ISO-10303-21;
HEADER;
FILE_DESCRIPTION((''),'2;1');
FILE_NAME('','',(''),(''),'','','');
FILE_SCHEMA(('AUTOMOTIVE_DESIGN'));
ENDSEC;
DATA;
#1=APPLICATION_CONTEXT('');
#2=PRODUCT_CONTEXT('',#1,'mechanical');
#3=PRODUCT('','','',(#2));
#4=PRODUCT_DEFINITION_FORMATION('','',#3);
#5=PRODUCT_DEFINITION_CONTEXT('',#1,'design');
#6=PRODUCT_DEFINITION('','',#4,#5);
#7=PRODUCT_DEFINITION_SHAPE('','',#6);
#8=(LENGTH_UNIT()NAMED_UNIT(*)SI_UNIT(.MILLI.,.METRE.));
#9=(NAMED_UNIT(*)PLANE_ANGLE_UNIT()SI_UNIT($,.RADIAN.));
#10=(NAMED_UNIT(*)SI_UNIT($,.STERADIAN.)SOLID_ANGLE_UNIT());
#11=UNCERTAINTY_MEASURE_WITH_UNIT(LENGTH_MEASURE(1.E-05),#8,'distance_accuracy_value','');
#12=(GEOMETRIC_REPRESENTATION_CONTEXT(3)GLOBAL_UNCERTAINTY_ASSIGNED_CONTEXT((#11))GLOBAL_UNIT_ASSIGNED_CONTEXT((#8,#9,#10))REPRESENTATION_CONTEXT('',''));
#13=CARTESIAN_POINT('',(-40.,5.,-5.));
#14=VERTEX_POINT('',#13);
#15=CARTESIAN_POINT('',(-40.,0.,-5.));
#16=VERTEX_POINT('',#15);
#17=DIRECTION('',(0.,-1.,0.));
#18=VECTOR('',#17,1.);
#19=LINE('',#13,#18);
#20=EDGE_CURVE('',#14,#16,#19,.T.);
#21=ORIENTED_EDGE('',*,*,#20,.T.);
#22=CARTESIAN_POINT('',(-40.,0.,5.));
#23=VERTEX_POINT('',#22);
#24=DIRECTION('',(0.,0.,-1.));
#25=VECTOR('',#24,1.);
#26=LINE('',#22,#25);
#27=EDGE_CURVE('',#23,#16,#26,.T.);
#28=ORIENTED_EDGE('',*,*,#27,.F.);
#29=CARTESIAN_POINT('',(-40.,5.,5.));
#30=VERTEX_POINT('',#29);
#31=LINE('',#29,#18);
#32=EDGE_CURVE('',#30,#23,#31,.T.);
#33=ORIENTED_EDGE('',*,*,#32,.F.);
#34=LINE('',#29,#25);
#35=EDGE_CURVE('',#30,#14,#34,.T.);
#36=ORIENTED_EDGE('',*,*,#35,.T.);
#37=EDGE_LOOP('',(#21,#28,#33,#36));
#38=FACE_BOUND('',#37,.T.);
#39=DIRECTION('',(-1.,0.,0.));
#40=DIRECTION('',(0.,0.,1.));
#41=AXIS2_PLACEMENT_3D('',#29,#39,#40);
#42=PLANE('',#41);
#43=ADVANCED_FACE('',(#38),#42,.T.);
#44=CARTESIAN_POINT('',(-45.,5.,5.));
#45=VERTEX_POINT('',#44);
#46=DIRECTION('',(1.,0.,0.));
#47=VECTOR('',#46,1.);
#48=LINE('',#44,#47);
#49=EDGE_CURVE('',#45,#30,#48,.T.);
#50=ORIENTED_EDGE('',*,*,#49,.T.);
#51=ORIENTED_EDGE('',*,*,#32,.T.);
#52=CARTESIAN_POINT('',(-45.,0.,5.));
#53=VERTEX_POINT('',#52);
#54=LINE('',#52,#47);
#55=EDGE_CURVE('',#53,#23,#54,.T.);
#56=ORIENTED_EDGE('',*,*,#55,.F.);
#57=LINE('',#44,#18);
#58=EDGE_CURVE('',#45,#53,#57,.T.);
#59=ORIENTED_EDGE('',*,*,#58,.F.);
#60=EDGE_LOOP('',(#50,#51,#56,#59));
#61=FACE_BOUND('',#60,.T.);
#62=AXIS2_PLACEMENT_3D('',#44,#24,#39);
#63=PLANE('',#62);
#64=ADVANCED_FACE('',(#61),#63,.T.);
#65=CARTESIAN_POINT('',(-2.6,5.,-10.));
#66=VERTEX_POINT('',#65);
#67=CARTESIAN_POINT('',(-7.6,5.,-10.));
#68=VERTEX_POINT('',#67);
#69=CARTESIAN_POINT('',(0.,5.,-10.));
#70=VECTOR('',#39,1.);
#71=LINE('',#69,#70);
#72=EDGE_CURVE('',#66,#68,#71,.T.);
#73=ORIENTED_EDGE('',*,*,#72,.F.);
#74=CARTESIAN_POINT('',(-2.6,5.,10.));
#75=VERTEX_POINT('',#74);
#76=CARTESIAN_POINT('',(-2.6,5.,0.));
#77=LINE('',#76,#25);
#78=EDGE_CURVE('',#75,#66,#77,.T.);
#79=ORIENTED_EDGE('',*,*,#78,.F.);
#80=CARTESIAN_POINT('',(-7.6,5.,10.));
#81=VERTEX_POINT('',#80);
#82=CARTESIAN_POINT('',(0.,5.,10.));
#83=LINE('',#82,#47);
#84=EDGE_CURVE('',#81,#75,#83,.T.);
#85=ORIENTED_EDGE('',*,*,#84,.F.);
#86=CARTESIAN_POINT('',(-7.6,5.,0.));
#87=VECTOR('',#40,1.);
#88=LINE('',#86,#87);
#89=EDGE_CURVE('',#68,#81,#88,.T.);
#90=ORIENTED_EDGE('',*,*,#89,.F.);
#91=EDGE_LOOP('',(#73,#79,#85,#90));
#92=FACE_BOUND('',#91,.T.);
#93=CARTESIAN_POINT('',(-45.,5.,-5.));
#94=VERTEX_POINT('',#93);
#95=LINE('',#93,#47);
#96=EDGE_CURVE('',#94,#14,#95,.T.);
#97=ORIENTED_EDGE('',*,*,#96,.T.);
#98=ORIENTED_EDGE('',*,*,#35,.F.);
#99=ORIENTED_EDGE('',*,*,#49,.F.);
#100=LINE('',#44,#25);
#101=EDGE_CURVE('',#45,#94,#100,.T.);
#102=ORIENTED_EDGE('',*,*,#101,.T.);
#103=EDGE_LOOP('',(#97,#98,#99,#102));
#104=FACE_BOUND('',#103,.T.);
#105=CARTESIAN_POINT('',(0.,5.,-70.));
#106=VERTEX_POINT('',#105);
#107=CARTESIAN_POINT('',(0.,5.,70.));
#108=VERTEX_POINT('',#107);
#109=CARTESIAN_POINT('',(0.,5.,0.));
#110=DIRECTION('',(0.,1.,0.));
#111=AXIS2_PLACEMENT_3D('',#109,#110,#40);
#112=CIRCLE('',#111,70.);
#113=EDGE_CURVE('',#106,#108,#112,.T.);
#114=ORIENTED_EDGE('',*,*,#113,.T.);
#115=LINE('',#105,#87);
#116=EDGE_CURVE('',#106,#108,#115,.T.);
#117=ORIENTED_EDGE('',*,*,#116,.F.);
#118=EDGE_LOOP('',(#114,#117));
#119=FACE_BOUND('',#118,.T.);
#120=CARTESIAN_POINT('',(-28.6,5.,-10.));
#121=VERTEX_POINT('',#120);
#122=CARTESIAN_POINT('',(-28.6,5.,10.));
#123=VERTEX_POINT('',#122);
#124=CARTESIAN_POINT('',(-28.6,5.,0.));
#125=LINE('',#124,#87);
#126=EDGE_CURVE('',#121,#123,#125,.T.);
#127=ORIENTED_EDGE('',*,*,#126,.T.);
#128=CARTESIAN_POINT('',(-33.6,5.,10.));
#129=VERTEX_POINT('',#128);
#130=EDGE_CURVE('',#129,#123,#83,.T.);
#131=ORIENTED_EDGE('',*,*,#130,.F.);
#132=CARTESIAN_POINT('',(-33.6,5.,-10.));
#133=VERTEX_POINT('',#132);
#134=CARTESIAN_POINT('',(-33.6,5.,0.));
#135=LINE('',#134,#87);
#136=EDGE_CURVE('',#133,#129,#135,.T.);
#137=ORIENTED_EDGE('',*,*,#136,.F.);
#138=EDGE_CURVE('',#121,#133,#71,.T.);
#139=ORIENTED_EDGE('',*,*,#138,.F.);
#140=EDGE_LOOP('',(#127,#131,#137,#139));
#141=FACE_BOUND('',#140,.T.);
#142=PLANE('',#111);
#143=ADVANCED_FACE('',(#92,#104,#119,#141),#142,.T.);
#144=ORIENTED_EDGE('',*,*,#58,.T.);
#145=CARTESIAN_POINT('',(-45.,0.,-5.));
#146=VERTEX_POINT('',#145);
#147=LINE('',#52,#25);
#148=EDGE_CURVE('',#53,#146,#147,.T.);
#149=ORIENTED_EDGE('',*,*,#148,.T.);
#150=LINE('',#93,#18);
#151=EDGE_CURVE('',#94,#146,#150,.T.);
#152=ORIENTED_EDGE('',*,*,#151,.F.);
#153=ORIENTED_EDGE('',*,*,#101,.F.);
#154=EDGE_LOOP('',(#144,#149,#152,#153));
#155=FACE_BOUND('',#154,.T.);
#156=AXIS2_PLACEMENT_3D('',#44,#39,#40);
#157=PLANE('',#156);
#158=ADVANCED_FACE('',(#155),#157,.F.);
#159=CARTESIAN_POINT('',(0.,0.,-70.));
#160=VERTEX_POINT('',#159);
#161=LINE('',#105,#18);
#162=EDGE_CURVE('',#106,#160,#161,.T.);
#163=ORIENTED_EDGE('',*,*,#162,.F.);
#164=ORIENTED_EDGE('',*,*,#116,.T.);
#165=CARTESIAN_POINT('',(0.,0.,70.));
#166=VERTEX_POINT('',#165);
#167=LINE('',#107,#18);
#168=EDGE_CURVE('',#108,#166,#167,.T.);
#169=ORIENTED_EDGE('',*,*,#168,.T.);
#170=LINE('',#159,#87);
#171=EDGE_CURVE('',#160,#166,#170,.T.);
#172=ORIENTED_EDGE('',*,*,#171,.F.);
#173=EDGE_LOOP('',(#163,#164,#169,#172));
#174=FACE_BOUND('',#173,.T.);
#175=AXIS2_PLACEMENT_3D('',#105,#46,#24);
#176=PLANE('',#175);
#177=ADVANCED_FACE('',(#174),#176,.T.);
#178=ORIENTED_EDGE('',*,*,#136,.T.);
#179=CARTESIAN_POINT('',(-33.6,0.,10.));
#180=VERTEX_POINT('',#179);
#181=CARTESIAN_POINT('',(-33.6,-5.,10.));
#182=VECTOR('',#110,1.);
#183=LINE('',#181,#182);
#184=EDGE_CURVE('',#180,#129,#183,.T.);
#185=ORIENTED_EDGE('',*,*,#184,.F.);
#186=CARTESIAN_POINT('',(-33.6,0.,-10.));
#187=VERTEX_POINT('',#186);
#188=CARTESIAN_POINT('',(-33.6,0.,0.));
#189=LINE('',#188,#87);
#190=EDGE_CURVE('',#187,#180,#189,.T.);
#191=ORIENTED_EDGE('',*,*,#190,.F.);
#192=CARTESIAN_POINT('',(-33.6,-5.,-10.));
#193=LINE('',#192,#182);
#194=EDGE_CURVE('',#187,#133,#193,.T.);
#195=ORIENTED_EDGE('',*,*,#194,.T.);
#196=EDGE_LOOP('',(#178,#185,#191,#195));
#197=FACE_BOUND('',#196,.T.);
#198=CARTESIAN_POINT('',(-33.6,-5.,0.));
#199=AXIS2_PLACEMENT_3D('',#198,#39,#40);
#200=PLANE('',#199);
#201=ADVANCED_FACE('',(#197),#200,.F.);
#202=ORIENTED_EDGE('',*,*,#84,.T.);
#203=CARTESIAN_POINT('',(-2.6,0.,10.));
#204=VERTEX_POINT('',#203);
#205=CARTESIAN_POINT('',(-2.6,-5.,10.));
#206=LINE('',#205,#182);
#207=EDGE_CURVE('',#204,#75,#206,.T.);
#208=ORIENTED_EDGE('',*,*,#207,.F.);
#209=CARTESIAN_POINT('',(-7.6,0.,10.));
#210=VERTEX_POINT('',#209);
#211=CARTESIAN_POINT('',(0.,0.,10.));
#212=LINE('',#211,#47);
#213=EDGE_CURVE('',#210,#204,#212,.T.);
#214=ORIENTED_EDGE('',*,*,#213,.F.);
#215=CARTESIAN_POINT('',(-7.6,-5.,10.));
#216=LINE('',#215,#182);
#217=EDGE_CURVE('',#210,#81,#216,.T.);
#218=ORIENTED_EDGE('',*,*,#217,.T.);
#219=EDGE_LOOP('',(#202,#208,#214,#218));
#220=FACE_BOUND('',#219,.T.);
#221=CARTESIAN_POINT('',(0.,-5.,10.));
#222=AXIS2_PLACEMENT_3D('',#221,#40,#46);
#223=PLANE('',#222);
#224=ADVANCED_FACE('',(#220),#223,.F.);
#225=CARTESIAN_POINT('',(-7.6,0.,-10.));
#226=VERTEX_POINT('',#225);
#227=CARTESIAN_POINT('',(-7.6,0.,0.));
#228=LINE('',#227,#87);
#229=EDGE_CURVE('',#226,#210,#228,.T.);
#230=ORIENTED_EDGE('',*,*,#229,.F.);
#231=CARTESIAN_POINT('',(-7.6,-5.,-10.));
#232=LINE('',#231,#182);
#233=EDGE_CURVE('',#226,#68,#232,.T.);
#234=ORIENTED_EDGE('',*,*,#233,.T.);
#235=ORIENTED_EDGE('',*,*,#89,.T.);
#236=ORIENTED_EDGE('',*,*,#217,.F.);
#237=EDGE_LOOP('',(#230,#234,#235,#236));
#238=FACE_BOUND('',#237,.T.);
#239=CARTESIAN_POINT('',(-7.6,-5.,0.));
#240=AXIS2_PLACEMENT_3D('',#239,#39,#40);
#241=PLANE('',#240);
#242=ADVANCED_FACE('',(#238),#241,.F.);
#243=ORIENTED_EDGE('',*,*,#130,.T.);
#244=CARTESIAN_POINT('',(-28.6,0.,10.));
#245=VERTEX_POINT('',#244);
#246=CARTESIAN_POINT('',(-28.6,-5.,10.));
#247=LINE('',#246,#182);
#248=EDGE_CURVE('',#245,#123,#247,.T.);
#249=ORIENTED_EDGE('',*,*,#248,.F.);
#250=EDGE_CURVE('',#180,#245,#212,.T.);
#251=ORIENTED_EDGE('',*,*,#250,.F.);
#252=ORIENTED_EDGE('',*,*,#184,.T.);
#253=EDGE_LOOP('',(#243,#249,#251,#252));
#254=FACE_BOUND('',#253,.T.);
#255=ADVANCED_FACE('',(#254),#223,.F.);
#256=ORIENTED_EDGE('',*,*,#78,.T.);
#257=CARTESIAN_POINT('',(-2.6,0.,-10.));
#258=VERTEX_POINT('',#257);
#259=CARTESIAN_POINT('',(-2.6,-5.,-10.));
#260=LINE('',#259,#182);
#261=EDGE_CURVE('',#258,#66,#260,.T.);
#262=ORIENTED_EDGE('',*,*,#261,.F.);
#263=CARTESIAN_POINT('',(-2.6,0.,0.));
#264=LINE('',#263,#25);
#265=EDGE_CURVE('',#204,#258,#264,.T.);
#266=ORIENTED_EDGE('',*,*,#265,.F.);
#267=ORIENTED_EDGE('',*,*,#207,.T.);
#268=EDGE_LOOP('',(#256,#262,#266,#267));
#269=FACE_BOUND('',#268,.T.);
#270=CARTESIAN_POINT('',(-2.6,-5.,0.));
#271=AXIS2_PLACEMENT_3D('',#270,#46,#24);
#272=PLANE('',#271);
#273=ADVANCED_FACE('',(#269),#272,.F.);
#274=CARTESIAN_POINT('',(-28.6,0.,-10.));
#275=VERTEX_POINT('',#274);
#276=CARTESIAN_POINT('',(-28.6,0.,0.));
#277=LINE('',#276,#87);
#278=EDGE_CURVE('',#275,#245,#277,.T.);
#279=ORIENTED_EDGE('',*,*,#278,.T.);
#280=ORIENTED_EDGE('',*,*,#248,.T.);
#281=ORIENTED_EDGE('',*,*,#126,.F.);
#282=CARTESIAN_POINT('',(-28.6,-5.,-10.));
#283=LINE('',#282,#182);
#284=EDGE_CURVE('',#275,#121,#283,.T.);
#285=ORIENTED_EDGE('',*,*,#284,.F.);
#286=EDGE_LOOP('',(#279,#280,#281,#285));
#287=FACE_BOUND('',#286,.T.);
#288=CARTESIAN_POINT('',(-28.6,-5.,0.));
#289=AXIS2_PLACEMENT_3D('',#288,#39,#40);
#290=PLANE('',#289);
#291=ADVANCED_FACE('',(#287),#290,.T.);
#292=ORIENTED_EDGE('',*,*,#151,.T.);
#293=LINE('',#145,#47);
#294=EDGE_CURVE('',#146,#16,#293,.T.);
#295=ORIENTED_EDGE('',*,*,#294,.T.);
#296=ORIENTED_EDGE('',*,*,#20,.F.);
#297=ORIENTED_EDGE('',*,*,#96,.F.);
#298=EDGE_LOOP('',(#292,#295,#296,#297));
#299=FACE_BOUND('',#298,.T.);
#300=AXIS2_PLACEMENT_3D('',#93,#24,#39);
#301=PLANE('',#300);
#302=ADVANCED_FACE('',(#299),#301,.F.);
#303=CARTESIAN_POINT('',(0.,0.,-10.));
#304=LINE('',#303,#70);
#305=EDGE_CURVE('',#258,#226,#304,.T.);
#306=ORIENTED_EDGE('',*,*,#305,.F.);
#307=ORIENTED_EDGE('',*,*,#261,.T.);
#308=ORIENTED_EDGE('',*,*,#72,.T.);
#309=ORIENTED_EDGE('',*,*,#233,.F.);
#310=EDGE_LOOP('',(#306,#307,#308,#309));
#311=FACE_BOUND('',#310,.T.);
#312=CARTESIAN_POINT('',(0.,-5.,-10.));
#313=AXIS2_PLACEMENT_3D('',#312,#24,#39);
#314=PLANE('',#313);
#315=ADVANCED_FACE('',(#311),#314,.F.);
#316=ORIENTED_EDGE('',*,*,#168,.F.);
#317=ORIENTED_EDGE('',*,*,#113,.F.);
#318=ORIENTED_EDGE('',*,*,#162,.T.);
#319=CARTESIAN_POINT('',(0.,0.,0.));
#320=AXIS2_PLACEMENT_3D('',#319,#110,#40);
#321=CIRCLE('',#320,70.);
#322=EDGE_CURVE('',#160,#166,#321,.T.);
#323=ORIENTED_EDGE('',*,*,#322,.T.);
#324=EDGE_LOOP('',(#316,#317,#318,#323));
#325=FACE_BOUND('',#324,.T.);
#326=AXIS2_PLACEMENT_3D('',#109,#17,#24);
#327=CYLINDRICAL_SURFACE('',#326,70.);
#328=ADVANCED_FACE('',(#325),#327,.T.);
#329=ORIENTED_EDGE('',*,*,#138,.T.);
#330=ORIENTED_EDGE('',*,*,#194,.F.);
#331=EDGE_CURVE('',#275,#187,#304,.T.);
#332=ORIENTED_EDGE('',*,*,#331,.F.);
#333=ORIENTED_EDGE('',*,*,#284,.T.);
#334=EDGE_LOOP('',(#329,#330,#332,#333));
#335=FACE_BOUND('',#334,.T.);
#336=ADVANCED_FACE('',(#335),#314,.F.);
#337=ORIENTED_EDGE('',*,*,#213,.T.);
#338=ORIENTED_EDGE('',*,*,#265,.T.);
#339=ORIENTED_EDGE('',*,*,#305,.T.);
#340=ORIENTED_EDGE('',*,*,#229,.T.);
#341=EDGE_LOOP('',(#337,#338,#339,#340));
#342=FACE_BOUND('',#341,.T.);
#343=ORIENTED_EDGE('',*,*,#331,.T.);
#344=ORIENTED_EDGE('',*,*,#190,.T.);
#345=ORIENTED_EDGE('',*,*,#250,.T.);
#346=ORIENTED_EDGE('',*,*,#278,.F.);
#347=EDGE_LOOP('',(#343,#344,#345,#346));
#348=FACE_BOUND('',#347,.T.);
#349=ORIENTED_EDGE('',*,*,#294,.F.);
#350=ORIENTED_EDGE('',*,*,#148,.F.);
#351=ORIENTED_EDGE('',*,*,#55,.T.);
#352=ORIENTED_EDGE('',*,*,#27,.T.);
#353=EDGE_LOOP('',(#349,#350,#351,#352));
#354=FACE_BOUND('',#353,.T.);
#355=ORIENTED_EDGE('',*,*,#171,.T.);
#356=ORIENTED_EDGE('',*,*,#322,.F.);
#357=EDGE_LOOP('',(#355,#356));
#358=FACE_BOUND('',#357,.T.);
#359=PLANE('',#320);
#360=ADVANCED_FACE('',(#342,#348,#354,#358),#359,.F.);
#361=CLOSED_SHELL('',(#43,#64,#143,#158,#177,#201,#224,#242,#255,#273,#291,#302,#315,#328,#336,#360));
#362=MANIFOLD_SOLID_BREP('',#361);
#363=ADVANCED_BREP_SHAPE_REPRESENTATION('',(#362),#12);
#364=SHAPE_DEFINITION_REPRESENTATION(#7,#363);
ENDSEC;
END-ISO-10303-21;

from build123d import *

# Parameters (mm, degrees)
SKETCH1_W           = 5
SKETCH1_H           = 10
BOSS_EXTRUDE1_DEPTH = 5
CUT_EXTRUDE1_DEPTH  = 10
CUT_EXTRUDE2_DEPTH  = 10


with BuildPart() as part:
    # Sketch1 → Boss-Extrude1 (new body)
    with BuildSketch(Plane(origin=(0, 0, 0), x_dir=(1, 0, 0), z_dir=(0, 1, 0))):
        with BuildLine():
            Line((0, 70), (0, -70))
            ThreePointArc((0, -70), (-70, 0), (0, 70))
        make_face()
        with Locations((-42.5, 0)):
            Rectangle(SKETCH1_W, SKETCH1_H, mode=Mode.SUBTRACT)
    extrude(amount=BOSS_EXTRUDE1_DEPTH)

    # Sketch2 → Cut-Extrude1 (cut)
    with BuildSketch(Plane(origin=(0, 5, 0), x_dir=(1, 0, 0), z_dir=(0, 1, 0))):
        Polygon((-7.6, -10), (-2.6, -10), (-2.6, 0), (-2.6, 10), (-7.6, 10), align=None)
    extrude(amount=-CUT_EXTRUDE1_DEPTH, mode=Mode.SUBTRACT)

    # Sketch3 → Cut-Extrude2 (cut)
    with BuildSketch(Plane(origin=(0, 5, 0), x_dir=(1, 0, 0), z_dir=(0, 1, 0))):
        Polygon((-28.6, 0), (-28.6, -10), (-33.6, -10), (-33.6, 10), (-28.6, 10), align=None)
    extrude(amount=-CUT_EXTRUDE2_DEPTH, mode=Mode.SUBTRACT)


solid = part.part
